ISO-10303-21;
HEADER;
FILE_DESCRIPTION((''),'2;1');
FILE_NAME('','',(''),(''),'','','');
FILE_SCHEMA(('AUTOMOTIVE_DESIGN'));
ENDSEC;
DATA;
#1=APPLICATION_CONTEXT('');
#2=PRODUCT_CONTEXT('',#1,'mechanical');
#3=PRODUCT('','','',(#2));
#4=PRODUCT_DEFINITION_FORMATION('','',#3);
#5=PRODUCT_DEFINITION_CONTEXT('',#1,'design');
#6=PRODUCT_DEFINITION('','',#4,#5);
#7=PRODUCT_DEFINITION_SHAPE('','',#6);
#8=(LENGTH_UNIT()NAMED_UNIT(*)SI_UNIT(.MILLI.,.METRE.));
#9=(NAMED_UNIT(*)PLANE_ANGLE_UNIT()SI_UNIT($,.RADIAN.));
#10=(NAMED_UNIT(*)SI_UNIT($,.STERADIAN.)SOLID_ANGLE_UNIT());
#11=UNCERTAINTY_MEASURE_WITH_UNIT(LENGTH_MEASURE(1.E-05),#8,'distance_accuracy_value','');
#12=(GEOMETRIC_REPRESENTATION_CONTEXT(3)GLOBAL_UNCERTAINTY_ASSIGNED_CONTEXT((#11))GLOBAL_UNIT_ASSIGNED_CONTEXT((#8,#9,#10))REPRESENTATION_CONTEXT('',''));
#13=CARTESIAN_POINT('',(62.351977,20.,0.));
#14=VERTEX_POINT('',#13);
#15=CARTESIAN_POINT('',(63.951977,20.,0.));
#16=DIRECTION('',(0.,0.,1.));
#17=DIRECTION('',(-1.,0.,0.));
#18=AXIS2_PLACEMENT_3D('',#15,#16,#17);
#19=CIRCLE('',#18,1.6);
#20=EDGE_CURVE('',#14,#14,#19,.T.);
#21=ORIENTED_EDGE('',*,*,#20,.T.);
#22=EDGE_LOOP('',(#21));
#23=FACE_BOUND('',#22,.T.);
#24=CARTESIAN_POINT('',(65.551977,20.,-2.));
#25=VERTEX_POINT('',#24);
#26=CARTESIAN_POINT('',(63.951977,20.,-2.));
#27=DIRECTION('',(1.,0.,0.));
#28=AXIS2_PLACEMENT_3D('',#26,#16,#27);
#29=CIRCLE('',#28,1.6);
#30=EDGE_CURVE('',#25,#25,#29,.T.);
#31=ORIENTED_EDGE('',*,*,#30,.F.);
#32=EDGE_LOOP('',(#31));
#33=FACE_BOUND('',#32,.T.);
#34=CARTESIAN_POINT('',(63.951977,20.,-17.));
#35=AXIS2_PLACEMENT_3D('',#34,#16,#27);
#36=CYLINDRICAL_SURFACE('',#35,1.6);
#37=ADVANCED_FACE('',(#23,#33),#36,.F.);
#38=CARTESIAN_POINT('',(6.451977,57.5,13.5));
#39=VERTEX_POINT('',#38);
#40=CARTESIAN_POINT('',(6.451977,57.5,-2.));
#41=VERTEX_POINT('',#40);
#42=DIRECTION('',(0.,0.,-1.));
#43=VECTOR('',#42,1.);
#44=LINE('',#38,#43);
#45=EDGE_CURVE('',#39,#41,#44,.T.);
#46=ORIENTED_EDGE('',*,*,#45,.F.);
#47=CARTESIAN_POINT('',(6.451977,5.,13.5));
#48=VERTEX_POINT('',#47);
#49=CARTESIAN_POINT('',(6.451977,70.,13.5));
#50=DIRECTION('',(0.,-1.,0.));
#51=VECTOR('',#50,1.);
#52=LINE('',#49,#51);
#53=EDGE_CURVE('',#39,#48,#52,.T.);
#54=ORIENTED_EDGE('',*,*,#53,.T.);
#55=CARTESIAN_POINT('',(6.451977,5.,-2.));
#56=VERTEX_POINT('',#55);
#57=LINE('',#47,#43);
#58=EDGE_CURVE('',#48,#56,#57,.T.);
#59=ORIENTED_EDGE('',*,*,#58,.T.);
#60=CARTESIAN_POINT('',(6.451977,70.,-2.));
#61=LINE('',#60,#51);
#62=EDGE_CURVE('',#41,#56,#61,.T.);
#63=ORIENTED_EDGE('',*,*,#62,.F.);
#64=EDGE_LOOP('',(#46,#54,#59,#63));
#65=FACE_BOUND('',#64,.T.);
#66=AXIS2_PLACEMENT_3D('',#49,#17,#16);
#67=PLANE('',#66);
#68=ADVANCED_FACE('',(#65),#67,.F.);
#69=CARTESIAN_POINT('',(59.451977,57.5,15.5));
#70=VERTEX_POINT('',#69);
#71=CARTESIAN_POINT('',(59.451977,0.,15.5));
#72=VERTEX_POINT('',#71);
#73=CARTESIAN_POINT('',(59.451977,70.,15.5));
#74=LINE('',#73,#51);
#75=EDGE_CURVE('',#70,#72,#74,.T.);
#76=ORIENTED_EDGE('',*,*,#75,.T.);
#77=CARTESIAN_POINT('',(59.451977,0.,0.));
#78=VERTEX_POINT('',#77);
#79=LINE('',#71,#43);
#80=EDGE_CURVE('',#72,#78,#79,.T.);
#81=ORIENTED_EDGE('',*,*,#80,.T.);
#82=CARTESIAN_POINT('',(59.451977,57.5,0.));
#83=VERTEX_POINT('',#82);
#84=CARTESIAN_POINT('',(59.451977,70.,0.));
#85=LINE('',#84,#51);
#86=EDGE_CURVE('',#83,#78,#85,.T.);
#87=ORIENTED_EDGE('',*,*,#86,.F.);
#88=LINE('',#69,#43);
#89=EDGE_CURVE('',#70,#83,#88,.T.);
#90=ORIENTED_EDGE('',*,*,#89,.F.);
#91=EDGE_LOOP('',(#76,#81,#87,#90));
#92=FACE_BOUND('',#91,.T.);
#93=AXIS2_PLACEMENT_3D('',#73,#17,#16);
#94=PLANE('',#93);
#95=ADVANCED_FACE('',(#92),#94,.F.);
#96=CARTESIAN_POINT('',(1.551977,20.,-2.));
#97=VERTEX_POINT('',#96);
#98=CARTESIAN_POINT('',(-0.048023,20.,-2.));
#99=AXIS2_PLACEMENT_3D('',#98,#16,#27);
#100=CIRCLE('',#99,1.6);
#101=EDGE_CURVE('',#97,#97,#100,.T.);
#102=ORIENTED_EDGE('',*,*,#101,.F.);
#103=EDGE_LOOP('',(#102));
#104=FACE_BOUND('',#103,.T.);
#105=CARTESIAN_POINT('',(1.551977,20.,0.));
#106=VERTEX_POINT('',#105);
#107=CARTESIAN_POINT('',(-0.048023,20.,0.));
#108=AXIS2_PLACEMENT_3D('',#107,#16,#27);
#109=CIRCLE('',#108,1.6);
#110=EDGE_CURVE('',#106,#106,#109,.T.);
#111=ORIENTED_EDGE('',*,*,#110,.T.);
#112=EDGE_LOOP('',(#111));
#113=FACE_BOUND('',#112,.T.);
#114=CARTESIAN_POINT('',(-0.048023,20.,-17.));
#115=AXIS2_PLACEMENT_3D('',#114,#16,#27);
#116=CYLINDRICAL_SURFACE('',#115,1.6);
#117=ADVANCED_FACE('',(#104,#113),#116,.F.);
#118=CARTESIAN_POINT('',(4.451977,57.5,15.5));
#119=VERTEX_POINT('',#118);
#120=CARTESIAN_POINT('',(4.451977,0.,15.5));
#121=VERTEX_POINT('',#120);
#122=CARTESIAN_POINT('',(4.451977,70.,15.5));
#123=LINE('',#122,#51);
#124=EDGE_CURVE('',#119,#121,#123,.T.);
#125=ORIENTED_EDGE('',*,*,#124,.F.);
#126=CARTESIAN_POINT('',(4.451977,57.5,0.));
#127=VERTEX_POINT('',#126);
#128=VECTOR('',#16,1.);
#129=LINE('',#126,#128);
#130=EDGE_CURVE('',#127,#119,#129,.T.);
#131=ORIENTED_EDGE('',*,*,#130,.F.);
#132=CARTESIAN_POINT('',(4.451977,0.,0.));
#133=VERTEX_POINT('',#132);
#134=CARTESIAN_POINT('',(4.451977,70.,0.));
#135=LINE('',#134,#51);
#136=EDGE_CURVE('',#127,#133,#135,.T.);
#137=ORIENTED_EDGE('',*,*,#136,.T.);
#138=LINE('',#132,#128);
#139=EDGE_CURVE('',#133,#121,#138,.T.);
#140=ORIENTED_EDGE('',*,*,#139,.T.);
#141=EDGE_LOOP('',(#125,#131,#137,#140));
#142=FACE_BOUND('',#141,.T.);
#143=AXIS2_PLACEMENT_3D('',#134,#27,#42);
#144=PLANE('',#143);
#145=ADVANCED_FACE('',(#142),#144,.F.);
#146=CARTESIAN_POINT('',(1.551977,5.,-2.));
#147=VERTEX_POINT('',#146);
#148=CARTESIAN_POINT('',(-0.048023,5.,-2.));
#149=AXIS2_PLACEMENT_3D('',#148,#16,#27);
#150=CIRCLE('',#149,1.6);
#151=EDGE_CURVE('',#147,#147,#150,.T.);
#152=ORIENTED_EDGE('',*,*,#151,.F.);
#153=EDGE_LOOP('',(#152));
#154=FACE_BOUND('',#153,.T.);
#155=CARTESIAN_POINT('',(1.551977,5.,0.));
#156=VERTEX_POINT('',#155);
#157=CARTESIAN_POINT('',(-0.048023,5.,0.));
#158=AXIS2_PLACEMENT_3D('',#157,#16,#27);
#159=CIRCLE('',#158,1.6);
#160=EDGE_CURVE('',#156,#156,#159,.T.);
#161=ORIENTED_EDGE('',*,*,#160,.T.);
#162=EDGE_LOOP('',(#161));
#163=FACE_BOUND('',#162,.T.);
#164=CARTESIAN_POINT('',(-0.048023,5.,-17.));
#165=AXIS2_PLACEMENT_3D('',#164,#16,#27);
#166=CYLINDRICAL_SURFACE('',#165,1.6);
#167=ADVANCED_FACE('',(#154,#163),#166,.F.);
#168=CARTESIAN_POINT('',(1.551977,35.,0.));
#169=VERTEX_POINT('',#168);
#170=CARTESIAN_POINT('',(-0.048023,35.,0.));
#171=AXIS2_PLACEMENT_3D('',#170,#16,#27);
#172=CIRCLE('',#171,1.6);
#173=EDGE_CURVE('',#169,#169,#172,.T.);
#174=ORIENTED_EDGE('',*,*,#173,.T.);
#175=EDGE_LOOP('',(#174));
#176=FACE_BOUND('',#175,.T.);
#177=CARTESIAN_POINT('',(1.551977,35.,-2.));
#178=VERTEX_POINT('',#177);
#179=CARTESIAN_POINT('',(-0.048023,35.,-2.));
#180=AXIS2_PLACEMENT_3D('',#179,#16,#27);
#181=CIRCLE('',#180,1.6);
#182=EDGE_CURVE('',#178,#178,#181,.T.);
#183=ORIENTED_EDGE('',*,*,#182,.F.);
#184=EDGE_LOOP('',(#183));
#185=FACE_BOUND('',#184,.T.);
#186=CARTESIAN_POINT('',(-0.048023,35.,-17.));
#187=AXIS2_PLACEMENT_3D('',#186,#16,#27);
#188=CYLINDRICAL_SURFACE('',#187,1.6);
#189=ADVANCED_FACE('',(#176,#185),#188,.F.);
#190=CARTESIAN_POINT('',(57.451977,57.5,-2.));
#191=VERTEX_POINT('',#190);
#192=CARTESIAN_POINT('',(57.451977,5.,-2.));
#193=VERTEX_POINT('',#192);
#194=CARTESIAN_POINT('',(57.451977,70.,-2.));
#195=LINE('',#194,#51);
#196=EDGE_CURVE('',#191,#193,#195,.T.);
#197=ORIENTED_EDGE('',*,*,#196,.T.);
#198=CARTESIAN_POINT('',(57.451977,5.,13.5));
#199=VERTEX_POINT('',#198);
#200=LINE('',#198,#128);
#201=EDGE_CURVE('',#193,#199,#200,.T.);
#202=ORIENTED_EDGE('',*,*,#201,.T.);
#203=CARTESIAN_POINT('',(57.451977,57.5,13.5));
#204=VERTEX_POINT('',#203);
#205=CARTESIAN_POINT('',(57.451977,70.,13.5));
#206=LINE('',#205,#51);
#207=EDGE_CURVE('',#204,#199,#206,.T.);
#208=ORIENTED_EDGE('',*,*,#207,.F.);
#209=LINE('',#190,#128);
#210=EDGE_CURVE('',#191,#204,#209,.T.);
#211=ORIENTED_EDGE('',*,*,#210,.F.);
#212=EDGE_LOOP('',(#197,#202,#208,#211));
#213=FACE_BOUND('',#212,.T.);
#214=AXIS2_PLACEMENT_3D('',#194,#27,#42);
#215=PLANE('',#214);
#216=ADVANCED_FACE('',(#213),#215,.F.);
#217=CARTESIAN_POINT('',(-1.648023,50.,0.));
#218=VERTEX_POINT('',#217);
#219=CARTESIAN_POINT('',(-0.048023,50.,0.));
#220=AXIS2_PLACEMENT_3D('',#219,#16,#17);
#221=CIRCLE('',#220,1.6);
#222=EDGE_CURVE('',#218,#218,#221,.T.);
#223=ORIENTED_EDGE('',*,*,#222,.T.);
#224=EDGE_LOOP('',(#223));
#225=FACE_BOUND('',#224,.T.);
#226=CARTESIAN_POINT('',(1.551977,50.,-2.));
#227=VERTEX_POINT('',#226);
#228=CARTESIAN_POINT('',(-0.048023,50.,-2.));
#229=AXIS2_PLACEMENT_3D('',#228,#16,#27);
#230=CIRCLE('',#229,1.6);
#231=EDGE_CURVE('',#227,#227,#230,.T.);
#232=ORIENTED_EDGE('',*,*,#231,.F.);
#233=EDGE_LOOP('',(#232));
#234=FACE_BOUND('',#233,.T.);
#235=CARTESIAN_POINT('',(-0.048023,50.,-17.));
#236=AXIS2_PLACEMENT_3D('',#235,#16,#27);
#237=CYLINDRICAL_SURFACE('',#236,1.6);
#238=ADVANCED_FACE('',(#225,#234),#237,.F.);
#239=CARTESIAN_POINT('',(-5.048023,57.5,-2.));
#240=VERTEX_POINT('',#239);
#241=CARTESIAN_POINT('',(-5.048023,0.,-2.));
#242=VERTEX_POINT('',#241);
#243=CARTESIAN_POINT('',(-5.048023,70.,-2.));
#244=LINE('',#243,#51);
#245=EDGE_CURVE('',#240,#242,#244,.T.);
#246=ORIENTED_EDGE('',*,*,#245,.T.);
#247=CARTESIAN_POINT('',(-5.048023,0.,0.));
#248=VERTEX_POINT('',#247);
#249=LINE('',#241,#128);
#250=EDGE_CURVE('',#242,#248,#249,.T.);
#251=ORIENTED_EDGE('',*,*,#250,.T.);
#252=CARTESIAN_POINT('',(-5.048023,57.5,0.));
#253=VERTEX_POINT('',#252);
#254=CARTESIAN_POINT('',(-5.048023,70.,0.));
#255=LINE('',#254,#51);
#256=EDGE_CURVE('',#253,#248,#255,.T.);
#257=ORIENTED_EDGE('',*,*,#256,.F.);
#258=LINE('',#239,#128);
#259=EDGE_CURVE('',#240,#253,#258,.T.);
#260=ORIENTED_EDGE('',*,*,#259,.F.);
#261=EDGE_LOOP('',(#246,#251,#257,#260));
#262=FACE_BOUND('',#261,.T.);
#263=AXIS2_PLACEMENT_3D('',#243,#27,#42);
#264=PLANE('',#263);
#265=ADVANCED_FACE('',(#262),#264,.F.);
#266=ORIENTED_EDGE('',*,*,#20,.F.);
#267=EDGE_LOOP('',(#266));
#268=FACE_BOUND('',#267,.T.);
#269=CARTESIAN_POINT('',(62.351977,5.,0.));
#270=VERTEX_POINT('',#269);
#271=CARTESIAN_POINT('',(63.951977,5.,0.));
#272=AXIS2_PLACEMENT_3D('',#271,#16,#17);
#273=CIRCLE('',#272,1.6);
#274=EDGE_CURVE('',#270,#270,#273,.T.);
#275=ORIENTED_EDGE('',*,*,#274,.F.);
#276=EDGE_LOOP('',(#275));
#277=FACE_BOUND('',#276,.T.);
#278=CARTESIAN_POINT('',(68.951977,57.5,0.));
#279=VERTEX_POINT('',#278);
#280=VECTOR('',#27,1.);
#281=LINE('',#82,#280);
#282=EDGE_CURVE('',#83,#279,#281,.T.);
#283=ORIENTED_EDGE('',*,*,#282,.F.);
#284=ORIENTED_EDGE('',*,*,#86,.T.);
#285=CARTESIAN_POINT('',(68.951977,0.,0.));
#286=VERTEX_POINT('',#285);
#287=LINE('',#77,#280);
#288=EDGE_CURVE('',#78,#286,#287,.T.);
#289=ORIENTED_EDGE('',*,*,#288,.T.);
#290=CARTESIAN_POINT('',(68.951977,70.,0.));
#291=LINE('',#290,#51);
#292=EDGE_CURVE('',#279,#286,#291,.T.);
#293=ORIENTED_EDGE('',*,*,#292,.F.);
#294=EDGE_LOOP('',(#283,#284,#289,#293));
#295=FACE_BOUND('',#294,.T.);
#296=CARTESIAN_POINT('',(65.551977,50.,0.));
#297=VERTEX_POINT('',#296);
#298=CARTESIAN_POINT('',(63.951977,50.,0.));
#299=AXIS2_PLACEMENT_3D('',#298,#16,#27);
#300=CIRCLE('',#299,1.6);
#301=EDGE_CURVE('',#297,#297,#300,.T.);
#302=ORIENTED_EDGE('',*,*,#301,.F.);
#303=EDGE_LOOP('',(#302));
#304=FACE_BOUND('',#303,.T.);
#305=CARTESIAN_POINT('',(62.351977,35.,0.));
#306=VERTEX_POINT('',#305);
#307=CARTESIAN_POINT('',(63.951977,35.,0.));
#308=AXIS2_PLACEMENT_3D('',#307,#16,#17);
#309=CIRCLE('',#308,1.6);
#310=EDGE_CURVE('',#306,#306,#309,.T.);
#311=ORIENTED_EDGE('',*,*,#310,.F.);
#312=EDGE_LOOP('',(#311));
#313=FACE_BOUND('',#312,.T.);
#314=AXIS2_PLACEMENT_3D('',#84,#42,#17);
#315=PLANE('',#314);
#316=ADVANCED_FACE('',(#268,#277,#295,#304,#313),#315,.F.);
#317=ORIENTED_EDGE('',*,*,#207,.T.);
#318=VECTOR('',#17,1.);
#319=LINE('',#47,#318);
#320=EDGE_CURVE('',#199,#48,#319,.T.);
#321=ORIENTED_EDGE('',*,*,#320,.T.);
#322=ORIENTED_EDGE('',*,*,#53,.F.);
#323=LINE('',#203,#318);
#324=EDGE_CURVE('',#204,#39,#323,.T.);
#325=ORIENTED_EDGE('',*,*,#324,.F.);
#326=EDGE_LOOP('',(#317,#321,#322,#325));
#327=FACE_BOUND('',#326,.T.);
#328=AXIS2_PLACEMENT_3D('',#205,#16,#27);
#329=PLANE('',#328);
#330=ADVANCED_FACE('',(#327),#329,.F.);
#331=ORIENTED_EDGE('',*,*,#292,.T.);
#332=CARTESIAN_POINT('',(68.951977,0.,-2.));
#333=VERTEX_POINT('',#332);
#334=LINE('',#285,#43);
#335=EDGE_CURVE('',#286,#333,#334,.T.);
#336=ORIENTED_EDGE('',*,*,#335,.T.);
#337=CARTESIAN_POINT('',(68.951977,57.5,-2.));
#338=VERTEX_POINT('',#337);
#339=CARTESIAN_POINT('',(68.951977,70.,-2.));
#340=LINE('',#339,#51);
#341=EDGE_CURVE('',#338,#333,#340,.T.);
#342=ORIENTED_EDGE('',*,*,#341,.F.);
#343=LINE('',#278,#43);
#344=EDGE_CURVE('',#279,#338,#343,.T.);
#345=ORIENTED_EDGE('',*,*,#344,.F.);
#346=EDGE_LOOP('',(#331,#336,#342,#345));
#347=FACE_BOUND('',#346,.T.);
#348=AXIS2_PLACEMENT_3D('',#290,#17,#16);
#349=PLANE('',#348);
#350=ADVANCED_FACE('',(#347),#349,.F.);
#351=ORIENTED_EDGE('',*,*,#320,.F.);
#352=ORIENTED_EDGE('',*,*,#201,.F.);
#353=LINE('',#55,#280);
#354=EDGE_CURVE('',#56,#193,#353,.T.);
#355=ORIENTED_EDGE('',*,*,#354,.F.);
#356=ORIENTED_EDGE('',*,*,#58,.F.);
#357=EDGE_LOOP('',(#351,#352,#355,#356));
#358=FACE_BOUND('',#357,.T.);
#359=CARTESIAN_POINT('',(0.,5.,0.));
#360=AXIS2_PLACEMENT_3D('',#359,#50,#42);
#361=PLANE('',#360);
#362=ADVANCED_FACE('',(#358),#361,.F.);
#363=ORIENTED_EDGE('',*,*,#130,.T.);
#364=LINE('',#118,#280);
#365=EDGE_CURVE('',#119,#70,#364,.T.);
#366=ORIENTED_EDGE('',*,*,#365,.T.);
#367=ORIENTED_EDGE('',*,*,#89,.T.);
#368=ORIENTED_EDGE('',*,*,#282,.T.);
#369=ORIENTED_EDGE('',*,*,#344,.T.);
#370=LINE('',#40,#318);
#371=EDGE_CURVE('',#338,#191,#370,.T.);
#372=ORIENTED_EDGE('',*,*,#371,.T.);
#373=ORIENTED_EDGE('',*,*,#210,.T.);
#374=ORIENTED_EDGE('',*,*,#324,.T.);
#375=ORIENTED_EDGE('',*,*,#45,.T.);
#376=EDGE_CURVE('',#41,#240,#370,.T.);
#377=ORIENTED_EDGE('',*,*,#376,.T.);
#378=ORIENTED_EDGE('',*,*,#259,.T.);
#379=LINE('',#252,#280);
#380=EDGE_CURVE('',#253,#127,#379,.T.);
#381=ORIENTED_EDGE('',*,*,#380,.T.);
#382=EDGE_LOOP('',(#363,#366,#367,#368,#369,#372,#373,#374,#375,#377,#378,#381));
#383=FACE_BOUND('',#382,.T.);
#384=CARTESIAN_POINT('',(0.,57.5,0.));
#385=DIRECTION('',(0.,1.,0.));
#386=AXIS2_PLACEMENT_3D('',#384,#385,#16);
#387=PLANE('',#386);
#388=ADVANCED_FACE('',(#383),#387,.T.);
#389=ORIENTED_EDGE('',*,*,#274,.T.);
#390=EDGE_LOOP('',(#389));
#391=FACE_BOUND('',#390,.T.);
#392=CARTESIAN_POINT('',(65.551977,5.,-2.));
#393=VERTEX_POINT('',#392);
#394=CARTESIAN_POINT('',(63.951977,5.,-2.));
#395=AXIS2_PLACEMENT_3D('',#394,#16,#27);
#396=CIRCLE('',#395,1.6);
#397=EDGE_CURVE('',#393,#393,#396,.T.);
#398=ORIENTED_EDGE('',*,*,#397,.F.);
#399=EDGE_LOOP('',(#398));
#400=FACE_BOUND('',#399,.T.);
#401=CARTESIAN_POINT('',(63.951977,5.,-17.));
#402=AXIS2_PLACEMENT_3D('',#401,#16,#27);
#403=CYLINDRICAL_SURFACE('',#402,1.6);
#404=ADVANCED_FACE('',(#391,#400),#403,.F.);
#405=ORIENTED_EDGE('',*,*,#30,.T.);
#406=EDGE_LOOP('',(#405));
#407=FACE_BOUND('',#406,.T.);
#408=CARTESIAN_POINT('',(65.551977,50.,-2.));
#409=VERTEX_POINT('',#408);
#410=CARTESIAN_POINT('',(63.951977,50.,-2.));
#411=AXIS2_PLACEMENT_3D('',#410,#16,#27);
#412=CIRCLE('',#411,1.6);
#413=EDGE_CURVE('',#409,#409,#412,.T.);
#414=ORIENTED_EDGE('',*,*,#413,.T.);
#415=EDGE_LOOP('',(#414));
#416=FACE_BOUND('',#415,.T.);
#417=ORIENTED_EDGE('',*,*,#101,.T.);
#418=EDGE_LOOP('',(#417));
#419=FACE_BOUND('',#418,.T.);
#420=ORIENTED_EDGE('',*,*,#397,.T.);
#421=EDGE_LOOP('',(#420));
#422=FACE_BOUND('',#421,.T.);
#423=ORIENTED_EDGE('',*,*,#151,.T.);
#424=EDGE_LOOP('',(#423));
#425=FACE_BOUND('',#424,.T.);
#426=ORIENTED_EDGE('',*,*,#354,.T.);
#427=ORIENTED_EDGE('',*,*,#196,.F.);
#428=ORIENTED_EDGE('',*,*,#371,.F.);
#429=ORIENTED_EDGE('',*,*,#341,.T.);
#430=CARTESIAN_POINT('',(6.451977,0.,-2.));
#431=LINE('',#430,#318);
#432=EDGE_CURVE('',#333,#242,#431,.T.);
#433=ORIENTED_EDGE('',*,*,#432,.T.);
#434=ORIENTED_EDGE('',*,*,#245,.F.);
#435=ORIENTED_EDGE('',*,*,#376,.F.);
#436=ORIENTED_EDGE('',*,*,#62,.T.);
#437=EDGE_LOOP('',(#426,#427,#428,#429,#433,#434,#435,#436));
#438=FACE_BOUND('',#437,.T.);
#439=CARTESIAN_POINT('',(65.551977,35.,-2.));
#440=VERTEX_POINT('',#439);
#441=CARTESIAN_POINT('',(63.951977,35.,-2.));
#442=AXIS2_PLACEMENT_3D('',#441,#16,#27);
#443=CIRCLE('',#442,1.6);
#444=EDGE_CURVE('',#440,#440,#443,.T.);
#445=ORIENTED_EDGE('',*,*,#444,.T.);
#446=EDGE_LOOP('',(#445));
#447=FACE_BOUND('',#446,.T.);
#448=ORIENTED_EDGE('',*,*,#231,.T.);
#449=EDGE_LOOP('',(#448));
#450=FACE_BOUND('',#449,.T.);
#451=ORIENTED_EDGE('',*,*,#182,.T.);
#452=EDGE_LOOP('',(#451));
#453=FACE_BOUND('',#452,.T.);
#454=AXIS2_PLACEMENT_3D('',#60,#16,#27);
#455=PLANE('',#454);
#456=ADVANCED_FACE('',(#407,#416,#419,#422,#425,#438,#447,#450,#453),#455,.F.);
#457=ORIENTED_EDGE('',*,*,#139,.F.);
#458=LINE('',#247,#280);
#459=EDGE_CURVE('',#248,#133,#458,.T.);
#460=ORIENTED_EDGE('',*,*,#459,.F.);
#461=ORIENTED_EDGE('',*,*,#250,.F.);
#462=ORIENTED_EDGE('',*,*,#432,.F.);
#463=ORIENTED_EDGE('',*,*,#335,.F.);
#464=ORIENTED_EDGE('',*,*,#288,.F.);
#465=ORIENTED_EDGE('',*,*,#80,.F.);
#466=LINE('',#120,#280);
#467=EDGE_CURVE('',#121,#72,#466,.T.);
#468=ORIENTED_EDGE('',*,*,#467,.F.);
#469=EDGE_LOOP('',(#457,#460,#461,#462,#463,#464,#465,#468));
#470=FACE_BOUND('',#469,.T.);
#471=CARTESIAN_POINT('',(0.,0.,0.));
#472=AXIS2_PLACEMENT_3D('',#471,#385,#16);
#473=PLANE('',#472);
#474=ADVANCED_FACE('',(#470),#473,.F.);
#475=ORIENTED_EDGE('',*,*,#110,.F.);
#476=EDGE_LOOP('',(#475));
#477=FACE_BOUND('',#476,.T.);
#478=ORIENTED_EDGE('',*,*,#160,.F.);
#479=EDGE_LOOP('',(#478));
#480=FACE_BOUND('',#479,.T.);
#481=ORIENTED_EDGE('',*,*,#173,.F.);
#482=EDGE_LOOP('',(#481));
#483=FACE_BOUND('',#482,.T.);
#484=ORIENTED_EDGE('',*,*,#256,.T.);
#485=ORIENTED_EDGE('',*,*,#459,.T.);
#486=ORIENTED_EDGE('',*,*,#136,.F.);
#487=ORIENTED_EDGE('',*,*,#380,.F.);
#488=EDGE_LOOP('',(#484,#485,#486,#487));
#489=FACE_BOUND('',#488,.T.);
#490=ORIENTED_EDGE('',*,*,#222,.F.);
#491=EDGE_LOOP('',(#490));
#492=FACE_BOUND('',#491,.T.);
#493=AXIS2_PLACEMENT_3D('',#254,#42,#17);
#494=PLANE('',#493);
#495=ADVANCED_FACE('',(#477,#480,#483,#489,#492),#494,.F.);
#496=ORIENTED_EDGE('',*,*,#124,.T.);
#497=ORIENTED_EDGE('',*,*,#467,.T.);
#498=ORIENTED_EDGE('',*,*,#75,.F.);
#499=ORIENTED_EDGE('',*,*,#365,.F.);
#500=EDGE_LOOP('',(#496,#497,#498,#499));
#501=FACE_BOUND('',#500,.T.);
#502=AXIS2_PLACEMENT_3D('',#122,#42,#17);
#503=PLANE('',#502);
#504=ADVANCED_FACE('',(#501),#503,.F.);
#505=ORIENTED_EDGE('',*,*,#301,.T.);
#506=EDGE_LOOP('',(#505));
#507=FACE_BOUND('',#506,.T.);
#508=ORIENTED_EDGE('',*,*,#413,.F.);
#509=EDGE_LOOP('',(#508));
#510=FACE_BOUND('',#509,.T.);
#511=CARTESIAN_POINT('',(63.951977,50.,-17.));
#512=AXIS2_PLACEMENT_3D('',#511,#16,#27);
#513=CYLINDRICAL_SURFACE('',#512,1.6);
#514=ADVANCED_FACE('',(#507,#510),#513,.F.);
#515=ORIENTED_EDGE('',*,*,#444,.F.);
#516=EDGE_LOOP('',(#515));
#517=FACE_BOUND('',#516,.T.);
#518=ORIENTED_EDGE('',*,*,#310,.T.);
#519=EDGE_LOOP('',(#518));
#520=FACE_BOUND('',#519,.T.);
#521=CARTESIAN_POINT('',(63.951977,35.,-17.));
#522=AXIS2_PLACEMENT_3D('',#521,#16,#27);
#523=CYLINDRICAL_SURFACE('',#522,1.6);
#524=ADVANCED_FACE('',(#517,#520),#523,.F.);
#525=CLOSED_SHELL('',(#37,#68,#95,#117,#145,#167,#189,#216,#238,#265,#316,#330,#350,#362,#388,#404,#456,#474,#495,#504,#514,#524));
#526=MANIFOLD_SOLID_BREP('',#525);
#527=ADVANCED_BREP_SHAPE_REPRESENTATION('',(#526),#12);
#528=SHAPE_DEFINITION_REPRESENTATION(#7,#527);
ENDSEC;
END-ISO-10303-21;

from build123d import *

# Parameters (mm, degrees)
EXTRUDE_1_DEPTH     = 70
SKETCH_2_W          = 51
SKETCH_2_H          = 15.5
EXTRUDE_2_DEPTH     = 5
SKETCH_3_R          = 1.6
CUT_EXTRUDE_1_DEPTH = 17
SKETCH_4_W          = 196.862371893
SKETCH_4_H          = 80.94669897
CUT_EXTRUDE_2_DEPTH = 12.5


with BuildPart() as part:
    # 草图1 → 凸台-拉伸1 (new body)
    with BuildSketch(Plane(origin=(0, 0, 0), x_dir=(1, 0, 0), z_dir=(0, 1, 0))):
        Polygon((-5.048022599, 0), (4.451977401, 0), (4.451977401, -15.5), (59.451977401, -15.5), (59.451977401, 0), (68.951977401, 0), (68.951977401, 2), (57.451977401, 2), (57.451977401, -13.5), (6.451977401, -13.5), (6.451977401, 2), (-5.048022599, 2), align=None)
    extrude(amount=EXTRUDE_1_DEPTH)

    # 草图2 → 凸台-拉伸2 (add)
    with BuildSketch(Plane.XZ):
        with Locations((31.951977401, 5.75)):
            Rectangle(SKETCH_2_W, SKETCH_2_H)
    extrude(amount=-EXTRUDE_2_DEPTH)

    # 草图3 → 切除-拉伸1 (cut)
    with BuildSketch(Plane.XY):
        with Locations((-0.048022599, 35)):
            Circle(SKETCH_3_R)
        with Locations((-0.048022599, 20)):
            Circle(SKETCH_3_R)
        with Locations((-0.048022599, 5)):
            Circle(SKETCH_3_R)
        with Locations((-0.048022599, 65)):
            Circle(SKETCH_3_R)
        with Locations((-0.048022599, 50)):
            Circle(SKETCH_3_R)
        with Locations((63.951977401, 50)):
            Circle(SKETCH_3_R)
        with Locations((63.951977401, 65)):
            Circle(SKETCH_3_R)
        with Locations((63.951977401, 5)):
            Circle(SKETCH_3_R)
        with Locations((63.951977401, 20)):
            Circle(SKETCH_3_R)
        with Locations((63.951977401, 35)):
            Circle(SKETCH_3_R)
    extrude(amount=-CUT_EXTRUDE_1_DEPTH, mode=Mode.SUBTRACT)

    # 草图4 → 切除-拉伸2 (cut)
    with BuildSketch(Plane(origin=(0, 70, 0), x_dir=(1, 0, 0), z_dir=(0, 1, 0))):
        with Locations((-17.870085989, 16.997485689)):
            Rectangle(SKETCH_4_W, SKETCH_4_H)
    extrude(amount=-CUT_EXTRUDE_2_DEPTH, mode=Mode.SUBTRACT)


solid = part.part
